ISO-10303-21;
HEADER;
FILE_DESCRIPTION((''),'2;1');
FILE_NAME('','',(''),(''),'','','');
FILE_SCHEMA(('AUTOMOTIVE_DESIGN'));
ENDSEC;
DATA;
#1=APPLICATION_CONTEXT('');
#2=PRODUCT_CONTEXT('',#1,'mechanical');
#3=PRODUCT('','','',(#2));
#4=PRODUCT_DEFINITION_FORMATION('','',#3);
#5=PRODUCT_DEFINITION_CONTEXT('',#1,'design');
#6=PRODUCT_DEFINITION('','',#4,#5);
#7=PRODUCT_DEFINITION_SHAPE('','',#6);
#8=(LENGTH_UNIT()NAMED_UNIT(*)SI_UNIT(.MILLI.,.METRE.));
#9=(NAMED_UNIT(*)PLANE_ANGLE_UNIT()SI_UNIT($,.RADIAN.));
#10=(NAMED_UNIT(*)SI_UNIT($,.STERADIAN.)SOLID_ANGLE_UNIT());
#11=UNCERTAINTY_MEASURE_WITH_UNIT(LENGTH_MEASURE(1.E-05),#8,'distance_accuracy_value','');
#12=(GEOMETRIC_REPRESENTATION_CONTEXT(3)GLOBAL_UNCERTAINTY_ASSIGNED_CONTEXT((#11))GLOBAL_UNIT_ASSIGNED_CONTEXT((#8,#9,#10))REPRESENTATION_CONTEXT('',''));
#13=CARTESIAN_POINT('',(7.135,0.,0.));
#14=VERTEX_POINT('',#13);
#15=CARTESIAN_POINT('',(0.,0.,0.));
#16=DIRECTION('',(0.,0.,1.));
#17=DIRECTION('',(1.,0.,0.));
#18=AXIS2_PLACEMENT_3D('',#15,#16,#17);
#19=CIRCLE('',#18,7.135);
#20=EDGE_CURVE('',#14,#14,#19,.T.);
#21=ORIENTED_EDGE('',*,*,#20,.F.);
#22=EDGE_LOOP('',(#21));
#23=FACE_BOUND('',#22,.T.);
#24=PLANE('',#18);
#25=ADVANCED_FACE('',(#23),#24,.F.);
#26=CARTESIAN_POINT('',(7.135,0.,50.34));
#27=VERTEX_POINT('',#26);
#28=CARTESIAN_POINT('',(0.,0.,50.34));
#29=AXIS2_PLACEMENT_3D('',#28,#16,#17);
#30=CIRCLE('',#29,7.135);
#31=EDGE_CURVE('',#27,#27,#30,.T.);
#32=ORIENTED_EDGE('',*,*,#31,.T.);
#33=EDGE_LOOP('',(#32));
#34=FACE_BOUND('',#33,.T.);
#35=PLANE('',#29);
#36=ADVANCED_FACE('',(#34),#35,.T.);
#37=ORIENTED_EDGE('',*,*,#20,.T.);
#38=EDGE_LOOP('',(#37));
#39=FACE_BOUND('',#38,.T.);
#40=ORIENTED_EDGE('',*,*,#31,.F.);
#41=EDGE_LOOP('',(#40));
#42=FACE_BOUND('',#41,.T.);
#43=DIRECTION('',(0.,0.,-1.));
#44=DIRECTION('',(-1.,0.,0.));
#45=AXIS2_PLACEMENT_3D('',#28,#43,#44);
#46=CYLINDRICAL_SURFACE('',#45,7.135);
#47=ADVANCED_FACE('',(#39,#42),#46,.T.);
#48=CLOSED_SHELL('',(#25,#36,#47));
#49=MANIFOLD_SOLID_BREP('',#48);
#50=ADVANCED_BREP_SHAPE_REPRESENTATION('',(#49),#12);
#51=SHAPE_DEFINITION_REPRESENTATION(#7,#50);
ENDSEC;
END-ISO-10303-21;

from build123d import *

# Parameters (mm, degrees)
SKETCH1_R           = 7.135
BOSS_EXTRUDE1_DEPTH = 50.34


with BuildPart() as part:
    # Sketch1 → Boss-Extrude1 (new body)
    with BuildSketch(Plane.XY):
        Circle(SKETCH1_R)
    extrude(amount=BOSS_EXTRUDE1_DEPTH)


solid = part.part
